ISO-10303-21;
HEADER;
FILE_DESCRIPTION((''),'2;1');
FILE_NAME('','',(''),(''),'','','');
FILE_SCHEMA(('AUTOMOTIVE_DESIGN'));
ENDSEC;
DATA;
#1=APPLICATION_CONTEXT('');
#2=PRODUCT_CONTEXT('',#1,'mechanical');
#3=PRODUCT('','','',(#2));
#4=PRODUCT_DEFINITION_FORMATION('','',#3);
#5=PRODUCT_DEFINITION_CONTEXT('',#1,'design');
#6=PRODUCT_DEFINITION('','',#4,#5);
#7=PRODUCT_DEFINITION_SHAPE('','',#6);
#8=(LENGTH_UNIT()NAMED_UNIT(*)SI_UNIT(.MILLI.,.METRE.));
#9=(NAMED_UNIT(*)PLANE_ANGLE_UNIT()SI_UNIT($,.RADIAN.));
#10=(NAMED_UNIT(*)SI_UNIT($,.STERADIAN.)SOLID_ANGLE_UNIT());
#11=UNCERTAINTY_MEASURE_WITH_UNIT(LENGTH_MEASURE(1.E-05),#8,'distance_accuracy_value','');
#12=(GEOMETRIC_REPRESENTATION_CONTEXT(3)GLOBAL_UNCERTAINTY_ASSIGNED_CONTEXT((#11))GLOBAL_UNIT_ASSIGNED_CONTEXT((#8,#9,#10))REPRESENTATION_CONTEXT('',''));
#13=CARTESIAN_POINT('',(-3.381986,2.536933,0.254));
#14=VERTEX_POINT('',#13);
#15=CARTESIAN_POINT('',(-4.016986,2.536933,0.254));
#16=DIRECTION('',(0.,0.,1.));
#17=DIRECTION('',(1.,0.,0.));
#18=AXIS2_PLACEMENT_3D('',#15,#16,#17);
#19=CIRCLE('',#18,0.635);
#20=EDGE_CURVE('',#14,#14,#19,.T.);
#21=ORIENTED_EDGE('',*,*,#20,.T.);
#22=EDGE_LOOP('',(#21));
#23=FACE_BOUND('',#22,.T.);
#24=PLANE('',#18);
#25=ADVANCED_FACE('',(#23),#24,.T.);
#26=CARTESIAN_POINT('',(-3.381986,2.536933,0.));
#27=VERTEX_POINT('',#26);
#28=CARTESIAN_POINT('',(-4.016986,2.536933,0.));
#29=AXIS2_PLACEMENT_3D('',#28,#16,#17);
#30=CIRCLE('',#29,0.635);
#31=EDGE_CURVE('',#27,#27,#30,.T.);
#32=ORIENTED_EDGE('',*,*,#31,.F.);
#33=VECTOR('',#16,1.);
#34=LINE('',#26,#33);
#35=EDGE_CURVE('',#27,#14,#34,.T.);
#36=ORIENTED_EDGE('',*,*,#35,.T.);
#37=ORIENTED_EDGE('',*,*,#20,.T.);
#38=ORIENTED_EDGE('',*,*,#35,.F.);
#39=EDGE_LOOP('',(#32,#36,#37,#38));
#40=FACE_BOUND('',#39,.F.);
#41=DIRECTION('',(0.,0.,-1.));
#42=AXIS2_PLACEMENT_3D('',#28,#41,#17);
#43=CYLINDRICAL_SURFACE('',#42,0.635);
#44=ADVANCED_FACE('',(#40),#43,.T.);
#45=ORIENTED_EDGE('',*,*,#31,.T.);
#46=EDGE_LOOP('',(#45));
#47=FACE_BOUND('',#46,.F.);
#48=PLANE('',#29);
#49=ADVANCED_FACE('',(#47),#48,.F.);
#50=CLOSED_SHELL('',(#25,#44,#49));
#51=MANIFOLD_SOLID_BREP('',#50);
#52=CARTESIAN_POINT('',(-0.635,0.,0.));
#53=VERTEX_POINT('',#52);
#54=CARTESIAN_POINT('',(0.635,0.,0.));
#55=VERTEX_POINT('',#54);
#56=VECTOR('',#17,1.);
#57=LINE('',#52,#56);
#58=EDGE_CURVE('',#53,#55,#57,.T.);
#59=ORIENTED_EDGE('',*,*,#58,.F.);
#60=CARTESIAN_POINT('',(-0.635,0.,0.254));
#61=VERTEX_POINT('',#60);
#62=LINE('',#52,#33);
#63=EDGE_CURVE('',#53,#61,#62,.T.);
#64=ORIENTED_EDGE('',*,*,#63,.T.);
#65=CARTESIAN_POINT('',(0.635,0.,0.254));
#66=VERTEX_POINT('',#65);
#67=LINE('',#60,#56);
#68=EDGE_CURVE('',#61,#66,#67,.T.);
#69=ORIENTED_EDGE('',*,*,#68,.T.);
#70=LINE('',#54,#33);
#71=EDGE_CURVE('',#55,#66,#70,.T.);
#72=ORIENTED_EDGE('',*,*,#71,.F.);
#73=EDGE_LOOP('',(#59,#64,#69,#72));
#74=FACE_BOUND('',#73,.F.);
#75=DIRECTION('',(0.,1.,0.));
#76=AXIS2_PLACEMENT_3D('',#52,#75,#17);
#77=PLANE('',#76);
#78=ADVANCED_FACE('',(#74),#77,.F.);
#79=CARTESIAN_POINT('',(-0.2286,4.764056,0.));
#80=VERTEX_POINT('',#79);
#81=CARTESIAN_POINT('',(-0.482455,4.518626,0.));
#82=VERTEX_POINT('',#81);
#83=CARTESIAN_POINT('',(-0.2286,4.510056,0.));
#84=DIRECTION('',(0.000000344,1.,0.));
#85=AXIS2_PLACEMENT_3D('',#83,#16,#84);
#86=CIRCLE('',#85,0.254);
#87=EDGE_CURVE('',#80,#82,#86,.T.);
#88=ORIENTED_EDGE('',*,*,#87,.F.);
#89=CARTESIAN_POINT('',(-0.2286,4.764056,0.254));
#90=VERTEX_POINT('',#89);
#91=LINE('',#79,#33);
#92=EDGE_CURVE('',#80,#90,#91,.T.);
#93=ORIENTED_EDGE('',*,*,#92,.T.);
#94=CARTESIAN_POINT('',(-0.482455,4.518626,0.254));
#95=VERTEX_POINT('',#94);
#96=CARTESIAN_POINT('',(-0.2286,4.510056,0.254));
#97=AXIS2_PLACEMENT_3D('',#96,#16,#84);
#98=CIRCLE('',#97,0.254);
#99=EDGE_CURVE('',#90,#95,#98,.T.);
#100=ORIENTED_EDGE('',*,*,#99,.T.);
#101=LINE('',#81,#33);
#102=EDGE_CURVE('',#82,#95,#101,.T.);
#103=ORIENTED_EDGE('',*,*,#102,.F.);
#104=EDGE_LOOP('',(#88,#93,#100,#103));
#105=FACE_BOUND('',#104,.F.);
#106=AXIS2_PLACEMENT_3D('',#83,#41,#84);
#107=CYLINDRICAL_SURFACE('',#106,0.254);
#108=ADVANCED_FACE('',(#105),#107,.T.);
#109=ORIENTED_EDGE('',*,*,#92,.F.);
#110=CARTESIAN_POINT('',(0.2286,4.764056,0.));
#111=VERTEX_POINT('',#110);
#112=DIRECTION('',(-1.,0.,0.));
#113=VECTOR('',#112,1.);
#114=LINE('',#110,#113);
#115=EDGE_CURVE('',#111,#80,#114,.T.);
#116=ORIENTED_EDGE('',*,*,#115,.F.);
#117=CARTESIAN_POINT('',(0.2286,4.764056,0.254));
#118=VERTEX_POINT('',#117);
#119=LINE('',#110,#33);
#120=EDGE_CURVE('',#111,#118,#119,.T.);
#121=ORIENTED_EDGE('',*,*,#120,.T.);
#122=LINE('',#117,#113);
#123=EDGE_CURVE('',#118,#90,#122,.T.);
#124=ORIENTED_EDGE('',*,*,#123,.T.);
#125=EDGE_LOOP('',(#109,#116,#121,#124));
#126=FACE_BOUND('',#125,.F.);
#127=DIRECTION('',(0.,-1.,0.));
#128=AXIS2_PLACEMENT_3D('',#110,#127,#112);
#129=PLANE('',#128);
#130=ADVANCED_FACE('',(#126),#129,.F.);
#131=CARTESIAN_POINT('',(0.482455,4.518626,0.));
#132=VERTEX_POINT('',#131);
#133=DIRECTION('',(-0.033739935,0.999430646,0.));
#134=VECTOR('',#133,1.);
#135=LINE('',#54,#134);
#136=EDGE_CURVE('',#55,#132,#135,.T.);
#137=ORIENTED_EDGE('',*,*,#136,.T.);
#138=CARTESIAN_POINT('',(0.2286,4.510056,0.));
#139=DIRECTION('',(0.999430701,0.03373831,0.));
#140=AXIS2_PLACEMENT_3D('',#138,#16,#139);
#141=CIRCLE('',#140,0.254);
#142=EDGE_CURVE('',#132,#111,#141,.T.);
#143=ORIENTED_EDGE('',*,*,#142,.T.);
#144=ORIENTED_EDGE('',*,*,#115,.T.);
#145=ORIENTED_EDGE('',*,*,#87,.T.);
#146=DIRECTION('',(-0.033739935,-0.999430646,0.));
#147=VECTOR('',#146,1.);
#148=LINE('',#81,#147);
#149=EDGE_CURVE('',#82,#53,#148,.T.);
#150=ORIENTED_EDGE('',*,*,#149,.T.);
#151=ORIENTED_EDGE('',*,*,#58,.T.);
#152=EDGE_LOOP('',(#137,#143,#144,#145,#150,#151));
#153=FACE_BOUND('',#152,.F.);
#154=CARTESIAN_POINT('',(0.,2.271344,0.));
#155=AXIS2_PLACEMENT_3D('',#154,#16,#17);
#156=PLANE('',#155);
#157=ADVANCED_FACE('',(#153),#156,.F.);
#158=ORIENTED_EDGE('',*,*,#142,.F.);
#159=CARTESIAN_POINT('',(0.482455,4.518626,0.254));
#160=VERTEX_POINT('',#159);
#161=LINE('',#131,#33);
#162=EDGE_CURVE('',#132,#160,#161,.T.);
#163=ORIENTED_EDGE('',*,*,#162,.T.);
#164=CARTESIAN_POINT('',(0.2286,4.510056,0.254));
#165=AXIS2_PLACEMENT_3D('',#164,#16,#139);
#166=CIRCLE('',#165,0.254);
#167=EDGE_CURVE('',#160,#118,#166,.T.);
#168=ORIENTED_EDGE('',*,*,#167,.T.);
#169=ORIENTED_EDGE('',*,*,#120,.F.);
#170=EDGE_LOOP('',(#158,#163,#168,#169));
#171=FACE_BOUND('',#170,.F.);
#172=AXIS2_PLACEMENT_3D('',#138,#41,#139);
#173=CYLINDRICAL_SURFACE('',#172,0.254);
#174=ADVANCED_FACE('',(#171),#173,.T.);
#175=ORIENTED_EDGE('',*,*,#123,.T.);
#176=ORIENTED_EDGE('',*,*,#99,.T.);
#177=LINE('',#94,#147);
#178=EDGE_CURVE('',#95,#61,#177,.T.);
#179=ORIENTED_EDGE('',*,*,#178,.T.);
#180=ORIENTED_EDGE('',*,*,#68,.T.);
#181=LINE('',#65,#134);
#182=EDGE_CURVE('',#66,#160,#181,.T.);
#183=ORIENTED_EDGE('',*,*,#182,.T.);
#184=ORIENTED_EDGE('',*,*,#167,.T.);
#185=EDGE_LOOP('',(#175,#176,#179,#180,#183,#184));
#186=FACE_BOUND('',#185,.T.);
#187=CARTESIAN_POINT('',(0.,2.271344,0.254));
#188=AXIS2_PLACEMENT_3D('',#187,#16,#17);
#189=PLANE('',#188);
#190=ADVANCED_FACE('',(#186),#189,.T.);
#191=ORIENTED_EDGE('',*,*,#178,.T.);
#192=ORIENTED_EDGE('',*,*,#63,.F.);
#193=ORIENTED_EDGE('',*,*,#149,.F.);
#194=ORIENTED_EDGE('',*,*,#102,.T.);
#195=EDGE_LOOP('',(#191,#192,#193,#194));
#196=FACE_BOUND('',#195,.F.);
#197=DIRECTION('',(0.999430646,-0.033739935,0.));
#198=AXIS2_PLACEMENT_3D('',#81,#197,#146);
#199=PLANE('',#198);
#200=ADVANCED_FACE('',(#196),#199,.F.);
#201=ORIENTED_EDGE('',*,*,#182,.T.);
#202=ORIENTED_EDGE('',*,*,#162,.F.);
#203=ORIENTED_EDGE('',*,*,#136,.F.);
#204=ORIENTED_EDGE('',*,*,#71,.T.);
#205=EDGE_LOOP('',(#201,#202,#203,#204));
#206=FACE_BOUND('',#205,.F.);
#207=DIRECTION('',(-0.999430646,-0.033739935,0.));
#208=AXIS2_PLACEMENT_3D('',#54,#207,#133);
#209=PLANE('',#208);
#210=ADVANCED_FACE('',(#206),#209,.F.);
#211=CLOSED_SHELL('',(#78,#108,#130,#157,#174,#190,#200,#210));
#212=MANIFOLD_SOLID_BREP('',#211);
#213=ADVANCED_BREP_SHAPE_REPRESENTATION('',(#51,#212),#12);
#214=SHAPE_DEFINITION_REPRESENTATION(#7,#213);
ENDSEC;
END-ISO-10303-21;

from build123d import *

# Parameters (mm, degrees)
F0_R     = 0.635
F1_DEPTH = 0.254


with BuildPart() as f1:
    # F0 (on Top) → F1 (new body)
    with BuildSketch(Plane.XY):
        with BuildLine():
            Line((-0.482455, 4.518626), (-0.635, 0))
            Line((-0.635, 0), (0.635, 0))
            Line((0.635, 0), (0.482455, 4.518626))
            ThreePointArc((0.482455, 4.518626), (0.405149, 4.692666), (0.2286, 4.764056))
            Line((0.2286, 4.764056), (-0.2286, 4.764056))
            ThreePointArc((-0.2286, 4.764056), (-0.405149, 4.692666), (-0.482455, 4.518626))
        make_face()
        with Locations((-4.016986, 2.536933)):
            Circle(F0_R)
    extrude(amount=F1_DEPTH)


solid = f1.part
